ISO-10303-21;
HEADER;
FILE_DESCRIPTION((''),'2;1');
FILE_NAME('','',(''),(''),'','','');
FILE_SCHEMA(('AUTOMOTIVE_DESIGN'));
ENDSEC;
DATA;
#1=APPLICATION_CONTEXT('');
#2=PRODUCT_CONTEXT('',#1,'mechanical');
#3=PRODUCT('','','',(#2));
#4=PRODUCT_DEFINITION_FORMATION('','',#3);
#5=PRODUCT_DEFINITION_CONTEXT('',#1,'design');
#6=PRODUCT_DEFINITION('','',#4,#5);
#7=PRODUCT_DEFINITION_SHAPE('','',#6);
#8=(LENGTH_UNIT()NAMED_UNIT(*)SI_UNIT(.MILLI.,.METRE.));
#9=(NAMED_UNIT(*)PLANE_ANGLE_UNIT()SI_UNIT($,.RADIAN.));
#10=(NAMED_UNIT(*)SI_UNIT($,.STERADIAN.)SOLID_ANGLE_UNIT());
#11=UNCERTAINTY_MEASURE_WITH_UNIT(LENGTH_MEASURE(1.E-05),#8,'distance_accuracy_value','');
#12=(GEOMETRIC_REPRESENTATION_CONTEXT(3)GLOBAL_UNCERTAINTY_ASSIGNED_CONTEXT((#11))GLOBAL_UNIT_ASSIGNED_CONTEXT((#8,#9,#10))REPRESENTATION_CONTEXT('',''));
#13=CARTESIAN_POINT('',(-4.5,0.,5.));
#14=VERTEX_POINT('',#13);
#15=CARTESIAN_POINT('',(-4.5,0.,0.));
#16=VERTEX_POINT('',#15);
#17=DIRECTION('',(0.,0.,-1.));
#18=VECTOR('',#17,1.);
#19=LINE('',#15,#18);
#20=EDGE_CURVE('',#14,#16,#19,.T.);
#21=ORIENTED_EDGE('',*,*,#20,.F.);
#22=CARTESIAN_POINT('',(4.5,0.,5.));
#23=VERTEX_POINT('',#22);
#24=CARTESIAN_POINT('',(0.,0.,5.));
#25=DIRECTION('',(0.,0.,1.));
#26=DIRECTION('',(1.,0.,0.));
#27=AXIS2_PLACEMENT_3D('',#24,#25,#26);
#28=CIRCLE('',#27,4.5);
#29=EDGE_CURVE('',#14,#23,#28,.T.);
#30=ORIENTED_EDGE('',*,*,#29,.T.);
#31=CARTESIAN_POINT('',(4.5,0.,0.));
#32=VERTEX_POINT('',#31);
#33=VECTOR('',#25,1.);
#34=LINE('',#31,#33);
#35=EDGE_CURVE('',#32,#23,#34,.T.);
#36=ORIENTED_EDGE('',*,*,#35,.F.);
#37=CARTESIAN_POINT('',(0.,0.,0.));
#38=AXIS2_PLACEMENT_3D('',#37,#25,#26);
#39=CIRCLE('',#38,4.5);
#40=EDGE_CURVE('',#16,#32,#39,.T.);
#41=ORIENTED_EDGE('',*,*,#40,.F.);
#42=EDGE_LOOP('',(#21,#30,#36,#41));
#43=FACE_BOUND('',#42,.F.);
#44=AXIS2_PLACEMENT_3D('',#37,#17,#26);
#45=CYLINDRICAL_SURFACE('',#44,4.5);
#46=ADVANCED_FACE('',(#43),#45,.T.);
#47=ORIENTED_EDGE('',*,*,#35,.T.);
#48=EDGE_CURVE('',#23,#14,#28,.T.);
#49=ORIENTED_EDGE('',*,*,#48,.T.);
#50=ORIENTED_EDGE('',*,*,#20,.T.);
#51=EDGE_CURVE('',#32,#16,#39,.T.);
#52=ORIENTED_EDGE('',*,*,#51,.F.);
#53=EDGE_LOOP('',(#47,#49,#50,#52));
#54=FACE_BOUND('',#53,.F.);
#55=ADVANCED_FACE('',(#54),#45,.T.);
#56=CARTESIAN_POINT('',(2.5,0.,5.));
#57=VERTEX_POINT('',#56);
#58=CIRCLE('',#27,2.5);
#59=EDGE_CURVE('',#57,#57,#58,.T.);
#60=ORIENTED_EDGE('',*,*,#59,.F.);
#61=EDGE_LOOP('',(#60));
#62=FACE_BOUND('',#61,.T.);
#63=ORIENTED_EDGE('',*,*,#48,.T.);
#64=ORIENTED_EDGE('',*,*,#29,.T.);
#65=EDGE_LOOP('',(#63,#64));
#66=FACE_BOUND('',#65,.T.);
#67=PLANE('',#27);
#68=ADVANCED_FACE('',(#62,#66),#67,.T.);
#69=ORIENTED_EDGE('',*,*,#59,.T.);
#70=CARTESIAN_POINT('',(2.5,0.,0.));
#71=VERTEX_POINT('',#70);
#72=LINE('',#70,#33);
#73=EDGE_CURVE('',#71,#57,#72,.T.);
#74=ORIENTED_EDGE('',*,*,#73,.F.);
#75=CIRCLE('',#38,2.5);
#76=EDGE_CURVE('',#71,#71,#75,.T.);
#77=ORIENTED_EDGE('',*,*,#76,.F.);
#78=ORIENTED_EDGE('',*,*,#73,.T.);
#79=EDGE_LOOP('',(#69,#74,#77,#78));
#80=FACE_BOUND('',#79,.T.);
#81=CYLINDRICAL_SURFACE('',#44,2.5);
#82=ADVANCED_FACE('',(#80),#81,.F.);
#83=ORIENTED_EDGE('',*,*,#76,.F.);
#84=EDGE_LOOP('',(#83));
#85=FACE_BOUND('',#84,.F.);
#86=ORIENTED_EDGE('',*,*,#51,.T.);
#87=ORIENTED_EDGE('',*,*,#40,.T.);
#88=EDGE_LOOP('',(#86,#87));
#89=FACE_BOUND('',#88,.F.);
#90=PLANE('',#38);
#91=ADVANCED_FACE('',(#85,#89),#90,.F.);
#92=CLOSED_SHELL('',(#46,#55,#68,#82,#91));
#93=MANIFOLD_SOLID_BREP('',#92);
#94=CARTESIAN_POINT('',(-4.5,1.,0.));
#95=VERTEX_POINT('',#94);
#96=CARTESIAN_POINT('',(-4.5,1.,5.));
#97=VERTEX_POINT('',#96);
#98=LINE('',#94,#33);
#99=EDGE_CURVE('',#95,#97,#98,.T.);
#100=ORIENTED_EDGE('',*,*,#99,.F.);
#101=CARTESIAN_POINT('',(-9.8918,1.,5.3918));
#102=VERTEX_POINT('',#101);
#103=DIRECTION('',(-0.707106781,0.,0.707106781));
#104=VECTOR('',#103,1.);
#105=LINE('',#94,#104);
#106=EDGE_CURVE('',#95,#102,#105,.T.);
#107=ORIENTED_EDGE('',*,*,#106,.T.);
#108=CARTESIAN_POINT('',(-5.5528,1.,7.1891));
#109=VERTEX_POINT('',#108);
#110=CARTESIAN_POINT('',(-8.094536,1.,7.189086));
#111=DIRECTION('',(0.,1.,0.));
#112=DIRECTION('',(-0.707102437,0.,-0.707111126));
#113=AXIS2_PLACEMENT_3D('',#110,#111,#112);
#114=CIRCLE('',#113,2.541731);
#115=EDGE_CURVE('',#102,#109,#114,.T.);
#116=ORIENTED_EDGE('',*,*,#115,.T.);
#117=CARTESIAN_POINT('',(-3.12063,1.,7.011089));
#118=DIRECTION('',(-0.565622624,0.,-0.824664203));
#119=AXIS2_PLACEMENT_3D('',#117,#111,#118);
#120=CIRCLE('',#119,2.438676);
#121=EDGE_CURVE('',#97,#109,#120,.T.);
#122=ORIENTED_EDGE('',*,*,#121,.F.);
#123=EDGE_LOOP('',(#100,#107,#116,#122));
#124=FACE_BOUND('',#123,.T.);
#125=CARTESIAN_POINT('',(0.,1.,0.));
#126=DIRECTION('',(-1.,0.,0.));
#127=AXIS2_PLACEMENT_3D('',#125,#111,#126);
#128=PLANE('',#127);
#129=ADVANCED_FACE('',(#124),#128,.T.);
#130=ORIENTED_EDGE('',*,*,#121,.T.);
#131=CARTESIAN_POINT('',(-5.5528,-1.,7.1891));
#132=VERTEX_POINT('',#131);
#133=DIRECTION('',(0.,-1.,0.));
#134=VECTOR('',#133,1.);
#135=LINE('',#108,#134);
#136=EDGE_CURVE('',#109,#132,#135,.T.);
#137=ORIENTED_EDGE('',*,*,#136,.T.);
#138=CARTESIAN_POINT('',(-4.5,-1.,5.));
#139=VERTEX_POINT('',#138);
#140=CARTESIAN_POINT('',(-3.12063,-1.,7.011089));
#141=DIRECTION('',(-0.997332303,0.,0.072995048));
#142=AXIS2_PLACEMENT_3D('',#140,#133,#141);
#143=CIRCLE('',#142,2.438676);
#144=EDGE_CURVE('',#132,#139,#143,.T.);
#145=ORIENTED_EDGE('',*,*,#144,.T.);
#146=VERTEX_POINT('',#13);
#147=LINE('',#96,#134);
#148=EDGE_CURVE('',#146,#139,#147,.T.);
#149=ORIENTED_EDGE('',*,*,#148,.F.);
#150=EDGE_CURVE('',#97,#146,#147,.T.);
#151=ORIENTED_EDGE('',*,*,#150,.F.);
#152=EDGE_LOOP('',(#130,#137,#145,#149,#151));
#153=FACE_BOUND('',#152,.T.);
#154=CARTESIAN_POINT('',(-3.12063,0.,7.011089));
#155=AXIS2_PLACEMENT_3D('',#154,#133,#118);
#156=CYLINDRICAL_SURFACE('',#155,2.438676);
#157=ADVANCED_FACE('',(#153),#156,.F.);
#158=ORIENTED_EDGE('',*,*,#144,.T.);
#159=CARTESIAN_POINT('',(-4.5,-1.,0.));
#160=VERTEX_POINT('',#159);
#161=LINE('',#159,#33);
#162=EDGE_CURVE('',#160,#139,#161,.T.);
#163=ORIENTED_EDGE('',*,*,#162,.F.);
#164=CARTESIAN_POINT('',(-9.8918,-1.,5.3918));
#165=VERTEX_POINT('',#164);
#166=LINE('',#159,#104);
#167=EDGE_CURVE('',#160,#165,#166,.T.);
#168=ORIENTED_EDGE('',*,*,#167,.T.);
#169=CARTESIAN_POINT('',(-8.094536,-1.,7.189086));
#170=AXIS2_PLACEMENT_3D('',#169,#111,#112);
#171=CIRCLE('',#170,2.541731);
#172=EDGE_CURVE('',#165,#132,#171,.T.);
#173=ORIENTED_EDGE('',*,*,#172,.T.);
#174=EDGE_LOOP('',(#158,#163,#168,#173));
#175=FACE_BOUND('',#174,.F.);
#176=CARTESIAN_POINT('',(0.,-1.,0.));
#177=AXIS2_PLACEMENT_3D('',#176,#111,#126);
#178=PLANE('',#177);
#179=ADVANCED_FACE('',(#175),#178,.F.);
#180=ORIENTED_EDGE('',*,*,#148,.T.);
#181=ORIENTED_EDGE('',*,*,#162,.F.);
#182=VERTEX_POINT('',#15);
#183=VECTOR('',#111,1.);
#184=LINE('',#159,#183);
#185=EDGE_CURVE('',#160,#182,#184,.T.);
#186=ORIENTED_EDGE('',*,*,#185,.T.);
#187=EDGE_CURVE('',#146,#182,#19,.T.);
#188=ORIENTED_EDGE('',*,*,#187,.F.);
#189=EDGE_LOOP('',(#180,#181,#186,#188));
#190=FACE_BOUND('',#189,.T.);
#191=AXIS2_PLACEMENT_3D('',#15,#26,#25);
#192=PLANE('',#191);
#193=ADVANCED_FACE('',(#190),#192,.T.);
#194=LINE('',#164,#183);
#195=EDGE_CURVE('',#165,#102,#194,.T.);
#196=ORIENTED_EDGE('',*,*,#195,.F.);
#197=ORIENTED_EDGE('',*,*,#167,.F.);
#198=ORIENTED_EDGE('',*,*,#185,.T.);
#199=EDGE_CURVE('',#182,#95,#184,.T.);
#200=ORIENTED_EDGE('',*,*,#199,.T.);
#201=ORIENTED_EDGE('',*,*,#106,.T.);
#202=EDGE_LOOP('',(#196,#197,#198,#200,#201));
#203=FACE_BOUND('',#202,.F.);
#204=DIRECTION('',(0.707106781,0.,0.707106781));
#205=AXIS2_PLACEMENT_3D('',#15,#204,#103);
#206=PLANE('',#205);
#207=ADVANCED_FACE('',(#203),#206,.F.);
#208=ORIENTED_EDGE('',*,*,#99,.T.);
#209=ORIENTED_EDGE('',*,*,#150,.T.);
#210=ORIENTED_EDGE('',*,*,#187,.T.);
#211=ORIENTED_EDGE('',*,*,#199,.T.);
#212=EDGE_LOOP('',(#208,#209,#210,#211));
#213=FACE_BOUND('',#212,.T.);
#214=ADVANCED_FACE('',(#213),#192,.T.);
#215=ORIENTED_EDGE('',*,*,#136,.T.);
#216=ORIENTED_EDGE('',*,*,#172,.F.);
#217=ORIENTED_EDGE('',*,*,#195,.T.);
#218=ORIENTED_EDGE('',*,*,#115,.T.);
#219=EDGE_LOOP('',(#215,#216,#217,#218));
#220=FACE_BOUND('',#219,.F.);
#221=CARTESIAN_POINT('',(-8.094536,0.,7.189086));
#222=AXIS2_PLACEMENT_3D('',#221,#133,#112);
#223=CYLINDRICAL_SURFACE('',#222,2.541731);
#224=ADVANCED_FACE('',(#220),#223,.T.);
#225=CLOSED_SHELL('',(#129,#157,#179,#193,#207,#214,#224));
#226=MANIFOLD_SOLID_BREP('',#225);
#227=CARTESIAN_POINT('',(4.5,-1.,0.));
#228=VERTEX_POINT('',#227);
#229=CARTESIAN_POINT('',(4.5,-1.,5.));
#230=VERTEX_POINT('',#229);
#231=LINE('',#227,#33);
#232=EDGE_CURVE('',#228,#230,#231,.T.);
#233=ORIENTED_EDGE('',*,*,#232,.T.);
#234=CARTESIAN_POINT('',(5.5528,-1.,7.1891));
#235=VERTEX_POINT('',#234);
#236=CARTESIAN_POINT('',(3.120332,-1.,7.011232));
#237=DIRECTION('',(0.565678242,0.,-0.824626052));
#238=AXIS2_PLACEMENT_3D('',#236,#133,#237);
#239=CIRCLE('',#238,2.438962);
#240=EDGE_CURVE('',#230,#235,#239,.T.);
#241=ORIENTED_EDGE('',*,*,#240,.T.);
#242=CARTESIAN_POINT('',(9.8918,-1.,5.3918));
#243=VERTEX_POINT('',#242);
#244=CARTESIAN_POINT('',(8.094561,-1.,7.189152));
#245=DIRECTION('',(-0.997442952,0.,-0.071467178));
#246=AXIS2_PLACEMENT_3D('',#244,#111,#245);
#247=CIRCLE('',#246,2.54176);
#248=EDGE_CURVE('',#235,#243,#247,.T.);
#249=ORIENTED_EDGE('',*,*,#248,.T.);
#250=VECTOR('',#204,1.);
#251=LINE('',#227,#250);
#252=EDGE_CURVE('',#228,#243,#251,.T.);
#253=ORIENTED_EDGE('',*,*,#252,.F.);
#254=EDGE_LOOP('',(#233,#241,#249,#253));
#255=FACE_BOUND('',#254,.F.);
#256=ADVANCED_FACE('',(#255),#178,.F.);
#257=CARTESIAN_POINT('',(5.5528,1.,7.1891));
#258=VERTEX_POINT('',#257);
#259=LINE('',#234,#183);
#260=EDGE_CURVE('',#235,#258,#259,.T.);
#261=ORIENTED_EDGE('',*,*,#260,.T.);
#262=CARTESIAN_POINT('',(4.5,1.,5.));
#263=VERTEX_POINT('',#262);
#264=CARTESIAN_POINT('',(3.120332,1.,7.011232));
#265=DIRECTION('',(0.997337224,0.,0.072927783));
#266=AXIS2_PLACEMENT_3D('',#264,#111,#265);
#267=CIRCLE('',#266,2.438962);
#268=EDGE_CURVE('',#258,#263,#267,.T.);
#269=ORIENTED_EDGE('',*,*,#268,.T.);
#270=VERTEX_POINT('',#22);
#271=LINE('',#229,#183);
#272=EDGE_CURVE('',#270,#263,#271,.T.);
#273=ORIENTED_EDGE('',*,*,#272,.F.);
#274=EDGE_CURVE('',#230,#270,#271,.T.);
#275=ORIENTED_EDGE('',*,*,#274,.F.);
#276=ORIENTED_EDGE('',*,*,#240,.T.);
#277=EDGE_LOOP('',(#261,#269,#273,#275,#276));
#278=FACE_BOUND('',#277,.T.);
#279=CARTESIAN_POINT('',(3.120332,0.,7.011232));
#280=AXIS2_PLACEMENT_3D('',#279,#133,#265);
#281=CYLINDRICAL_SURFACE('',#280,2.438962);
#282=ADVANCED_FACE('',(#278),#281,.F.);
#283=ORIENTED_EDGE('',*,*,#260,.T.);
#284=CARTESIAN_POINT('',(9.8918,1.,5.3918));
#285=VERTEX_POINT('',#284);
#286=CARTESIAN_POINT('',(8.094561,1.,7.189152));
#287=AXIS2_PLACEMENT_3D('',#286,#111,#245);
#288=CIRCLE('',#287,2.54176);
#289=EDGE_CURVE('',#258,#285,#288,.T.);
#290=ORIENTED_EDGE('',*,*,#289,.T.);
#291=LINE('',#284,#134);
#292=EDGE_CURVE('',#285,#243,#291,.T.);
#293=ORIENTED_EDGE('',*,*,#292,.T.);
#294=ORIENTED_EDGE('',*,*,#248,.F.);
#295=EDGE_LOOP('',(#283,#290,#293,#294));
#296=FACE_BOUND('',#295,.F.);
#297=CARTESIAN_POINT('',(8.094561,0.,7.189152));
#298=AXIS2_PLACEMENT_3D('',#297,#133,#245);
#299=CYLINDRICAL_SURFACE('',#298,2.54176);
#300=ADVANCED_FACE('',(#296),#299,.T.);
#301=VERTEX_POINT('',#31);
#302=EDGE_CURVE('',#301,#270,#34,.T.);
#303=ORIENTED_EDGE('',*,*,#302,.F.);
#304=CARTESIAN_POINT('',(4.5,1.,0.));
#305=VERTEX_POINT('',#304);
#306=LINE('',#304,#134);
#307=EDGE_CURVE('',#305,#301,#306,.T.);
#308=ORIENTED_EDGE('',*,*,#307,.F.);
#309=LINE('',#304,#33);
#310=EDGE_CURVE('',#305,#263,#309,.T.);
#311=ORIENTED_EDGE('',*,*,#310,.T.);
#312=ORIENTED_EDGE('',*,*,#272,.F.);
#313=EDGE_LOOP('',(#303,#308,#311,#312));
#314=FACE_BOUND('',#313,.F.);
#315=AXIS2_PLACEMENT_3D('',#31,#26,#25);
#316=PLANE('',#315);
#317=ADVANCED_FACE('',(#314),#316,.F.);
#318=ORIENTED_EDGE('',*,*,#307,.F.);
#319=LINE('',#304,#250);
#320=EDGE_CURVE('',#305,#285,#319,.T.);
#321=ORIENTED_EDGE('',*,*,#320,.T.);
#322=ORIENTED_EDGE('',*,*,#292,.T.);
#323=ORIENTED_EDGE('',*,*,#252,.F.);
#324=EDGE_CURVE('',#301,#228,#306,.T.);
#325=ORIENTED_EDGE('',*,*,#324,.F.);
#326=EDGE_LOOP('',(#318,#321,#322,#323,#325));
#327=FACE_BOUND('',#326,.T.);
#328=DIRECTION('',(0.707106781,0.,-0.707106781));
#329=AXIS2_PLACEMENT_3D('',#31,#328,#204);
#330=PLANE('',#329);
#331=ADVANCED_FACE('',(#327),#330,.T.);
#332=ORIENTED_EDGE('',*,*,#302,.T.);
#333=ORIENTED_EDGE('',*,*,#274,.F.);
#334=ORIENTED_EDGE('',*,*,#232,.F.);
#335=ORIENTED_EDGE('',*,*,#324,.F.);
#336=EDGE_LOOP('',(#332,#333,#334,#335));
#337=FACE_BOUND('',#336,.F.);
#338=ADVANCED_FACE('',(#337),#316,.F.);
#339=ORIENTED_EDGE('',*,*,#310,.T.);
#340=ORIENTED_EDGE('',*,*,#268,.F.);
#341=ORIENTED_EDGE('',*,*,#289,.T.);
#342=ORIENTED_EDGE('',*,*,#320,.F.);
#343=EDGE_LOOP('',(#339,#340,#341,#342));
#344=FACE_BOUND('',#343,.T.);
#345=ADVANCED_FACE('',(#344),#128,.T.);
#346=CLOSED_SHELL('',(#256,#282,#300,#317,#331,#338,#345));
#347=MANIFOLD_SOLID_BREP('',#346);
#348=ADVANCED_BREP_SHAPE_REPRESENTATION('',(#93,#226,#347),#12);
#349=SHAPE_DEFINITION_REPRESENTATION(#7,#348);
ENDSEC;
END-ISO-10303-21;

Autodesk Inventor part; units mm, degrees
ref_plane "YZ Plane" through (0, 0, 0) normal (1, 0, 0) x (0, 1, 0)
ref_plane "XZ Plane" through (0, 0, 0) normal (0, 1, 0) x (-1, 0, 0)
ref_plane "XY Plane" through (0, 0, 0) normal (0, 0, 1) x (1, 0, 0)
sketch "Эскиз1" plane through (0, 0, 0) normal (0, 0, 1) x (1, 0, 0)
  circle A0 centre (0, 0) radius 2.5
  circle A1 centre (0, 0) radius 4.5
  dimension "d0" = 5
  dimension "d1" = 9
extrude "Выдавливание1" add sketch "Эскиз1" along normal blind 5
sketch "Эскиз2" plane through (0, 0, 0) normal (0, 1, 0) x (-1, 0, 0)
  line L0 (4.5, 0) -> (4.5, 5) projected
  line L1 (4.5, 5) -> (-4.5, 5) projected
  line L2 (4.5, 0) -> (9.8918, 5.3918)
  line L3 (4.5, 0) -> (14.667, 0) construction
  arc A0 (9.8918, 5.3918) -> (5.5593, 7.0075) centre (8.0946, 7.1891) ccw
  arc A1 (4.5, 5) -> (5.5528, 7.1891) centre (3.1205, 7.0112) ccw
  line L4 (0, 5) -> (0, 0) construction
  line L5 (-4.5, 0) -> (-4.5, 5)
  line L6 (-4.5, 0) -> (-9.8918, 5.3918)
  arc A2 (-5.5593, 7.0075) -> (-9.8918, 5.3918) centre (-8.0946, 7.1891) ccw
  arc A3 (-5.5528, 7.1891) -> (-4.5, 5) centre (-3.1205, 7.0112) ccw
  point P0 (6.2973, 8.9864)
  dimension "d4" = 45
extrude "Выдавливание2" add sketch "Эскиз2" along normal mid plane 2 contours L5 L6 A2 A3 | L0 A1 A0 L2
thread "Резьба1" size "M5x0.8" class "6H" standard "ANSI Metric M Profile" full length
properties part number "Nut"
